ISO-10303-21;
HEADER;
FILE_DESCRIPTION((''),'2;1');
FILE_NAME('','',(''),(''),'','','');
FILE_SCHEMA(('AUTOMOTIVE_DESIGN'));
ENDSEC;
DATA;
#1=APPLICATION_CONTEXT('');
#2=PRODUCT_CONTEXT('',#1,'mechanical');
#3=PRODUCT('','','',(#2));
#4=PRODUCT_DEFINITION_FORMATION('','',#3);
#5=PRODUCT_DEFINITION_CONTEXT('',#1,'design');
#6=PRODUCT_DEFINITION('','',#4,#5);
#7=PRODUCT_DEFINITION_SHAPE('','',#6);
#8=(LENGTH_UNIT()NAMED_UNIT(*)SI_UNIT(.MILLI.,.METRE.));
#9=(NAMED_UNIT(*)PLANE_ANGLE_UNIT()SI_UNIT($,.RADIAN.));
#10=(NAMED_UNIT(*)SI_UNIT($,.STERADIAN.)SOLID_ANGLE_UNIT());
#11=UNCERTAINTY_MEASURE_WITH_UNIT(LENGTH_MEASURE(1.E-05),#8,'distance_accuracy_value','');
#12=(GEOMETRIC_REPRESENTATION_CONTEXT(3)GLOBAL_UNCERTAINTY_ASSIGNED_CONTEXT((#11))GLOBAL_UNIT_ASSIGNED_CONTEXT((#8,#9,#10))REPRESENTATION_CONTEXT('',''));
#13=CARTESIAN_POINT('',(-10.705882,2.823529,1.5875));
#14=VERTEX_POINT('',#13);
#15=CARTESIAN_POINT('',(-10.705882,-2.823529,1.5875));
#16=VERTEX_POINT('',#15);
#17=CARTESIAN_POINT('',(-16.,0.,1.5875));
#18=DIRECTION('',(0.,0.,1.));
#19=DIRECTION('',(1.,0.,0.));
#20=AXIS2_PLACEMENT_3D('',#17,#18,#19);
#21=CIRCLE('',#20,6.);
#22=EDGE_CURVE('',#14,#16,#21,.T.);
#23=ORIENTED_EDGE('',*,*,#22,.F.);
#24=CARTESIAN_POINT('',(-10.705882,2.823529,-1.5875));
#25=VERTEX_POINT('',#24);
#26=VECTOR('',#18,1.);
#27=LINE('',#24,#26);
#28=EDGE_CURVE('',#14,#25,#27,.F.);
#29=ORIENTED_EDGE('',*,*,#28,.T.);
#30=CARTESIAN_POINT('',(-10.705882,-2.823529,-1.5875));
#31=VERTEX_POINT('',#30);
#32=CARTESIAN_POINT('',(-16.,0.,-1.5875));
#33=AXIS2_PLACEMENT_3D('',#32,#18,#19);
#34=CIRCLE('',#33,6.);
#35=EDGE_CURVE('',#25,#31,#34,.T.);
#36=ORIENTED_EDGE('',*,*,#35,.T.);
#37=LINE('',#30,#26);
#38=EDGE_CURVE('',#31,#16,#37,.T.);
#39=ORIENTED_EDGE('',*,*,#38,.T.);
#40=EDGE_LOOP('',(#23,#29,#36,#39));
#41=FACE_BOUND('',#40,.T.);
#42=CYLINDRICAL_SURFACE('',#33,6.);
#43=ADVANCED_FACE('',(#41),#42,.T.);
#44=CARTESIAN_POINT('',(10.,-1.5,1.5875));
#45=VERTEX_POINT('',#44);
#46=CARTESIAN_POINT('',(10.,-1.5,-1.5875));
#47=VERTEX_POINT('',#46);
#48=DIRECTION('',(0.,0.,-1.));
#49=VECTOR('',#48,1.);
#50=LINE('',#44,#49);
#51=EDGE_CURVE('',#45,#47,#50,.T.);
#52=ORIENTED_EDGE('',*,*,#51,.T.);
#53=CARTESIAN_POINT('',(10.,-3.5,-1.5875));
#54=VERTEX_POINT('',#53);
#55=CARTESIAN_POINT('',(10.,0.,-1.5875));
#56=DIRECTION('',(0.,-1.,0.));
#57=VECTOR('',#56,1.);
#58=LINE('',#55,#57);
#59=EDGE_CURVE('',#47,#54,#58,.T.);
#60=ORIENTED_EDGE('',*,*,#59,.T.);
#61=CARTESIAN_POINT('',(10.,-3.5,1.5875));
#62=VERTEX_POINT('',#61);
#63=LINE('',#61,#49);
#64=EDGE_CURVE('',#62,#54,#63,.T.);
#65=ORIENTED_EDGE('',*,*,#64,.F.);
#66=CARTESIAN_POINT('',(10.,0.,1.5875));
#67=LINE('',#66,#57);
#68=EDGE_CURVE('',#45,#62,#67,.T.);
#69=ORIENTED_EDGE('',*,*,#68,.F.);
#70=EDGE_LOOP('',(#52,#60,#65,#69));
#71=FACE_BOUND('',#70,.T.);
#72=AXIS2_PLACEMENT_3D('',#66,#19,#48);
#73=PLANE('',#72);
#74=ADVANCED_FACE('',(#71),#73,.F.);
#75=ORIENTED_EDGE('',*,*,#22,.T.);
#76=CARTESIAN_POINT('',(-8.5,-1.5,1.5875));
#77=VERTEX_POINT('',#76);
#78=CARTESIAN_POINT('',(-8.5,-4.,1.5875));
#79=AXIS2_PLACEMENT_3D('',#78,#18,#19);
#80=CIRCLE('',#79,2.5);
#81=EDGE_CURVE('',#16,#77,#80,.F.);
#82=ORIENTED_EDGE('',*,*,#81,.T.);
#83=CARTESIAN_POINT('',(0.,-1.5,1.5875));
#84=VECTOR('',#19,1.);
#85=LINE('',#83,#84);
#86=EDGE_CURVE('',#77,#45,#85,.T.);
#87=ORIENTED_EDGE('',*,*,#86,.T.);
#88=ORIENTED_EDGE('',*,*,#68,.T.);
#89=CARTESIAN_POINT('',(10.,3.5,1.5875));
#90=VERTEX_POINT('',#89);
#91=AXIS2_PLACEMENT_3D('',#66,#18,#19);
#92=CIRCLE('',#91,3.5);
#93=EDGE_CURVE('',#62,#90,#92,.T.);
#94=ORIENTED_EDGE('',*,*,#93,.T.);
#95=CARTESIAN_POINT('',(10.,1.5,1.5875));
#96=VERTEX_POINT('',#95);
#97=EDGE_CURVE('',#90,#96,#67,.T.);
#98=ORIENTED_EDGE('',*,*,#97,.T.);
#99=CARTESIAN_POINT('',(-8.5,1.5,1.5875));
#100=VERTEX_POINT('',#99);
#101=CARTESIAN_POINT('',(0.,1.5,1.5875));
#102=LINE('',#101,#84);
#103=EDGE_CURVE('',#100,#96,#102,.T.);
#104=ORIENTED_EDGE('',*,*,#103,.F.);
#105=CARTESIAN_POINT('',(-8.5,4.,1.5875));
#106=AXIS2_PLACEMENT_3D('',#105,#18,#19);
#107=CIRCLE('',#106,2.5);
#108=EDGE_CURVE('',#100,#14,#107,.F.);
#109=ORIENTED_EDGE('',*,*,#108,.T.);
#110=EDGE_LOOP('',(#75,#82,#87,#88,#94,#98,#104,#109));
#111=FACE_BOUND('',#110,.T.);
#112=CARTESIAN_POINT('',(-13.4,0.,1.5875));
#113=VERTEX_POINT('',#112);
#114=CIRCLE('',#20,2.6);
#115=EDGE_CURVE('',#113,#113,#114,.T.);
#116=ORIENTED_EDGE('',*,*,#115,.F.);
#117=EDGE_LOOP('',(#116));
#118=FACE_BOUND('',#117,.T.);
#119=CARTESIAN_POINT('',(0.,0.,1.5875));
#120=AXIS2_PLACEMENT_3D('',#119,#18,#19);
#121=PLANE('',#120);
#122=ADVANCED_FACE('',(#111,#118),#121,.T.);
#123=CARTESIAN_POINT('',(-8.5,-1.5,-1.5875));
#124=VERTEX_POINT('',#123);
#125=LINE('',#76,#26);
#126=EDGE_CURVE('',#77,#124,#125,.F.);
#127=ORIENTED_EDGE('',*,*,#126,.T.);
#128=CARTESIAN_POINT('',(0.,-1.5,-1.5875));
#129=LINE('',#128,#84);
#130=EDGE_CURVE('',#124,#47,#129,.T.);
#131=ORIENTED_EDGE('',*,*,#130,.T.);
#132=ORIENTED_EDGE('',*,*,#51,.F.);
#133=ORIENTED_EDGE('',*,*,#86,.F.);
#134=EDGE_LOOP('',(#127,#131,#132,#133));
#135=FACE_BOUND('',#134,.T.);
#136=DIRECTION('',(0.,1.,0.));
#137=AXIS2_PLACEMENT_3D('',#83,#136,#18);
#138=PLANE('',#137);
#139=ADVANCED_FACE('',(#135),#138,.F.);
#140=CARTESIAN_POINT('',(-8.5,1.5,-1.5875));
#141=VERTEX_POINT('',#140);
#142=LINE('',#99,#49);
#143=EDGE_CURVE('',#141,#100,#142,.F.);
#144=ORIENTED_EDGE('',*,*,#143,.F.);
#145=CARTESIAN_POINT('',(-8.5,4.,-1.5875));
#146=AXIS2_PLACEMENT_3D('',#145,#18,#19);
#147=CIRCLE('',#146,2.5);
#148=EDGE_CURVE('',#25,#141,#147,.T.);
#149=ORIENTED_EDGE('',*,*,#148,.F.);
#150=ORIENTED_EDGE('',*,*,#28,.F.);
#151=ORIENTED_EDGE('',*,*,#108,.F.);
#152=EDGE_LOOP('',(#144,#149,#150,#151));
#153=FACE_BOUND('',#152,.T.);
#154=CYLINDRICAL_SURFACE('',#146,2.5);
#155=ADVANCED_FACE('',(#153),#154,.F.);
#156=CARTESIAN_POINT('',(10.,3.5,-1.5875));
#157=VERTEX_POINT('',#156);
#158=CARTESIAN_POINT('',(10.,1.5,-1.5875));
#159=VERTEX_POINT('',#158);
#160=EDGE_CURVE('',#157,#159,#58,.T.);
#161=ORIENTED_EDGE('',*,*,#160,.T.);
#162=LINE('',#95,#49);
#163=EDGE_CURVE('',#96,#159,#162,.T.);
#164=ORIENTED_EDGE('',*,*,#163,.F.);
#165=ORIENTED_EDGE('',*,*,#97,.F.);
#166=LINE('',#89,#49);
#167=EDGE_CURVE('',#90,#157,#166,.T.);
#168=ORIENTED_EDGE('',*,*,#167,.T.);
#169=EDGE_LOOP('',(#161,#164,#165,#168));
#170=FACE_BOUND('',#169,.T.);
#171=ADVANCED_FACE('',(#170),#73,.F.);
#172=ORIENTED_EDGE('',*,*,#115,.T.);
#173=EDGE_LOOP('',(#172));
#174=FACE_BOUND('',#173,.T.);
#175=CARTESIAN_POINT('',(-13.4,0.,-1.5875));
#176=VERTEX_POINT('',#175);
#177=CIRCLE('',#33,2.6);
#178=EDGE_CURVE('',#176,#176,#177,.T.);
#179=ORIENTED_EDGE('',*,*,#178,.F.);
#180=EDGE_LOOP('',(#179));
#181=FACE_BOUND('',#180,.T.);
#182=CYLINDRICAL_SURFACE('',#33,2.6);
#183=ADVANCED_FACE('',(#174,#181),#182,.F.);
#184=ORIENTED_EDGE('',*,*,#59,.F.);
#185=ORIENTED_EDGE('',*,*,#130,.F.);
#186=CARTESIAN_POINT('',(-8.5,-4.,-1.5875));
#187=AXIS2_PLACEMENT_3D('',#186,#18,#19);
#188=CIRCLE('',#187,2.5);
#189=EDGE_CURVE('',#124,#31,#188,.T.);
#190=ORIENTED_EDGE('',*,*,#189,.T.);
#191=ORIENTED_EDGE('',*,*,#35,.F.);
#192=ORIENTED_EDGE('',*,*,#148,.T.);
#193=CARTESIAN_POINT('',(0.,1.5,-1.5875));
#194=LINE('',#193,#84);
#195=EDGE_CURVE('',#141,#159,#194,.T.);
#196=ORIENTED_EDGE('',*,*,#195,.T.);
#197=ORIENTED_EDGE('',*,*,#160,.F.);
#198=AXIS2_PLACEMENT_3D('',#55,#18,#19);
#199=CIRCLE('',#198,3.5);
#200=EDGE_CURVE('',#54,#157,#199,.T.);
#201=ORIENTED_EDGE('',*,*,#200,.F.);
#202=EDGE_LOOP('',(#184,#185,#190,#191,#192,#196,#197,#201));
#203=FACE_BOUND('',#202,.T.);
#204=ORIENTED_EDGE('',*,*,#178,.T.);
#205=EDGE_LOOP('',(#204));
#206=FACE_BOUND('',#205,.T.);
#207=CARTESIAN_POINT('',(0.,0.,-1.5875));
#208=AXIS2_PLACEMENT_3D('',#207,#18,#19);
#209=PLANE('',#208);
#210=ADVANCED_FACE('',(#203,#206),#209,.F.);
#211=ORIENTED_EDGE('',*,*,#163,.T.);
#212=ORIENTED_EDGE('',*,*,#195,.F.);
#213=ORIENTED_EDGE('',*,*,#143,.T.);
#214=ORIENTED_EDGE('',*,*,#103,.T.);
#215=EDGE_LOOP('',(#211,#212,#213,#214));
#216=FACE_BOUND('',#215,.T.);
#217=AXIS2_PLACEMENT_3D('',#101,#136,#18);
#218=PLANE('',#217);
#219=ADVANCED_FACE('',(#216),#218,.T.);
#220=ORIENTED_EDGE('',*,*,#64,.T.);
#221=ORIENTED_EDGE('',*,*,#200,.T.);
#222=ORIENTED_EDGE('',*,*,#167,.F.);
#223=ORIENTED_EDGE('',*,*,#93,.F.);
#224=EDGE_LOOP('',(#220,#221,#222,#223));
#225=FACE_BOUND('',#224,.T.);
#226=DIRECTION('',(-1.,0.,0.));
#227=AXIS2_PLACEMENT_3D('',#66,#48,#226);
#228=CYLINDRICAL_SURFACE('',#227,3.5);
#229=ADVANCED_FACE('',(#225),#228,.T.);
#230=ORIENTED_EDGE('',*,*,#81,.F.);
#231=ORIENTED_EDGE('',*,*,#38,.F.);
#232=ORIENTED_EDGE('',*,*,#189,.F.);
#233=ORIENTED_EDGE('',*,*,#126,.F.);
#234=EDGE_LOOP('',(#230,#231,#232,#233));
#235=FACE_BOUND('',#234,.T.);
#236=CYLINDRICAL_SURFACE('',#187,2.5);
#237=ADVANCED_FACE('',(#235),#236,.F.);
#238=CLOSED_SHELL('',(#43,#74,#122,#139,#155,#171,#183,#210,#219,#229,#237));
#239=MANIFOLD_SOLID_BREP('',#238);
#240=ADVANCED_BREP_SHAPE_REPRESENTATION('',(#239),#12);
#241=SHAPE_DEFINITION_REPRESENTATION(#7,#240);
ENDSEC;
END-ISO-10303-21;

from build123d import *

# Parameters (mm, degrees)
BOSS_EXTRUDE1_DEPTH = 1.5875
SKETCH3_R           = 6
BOSS_EXTRUDE2_DEPTH = 3.175
SKETCH4_R           = 2.6
CUT_EXTRUDE1_DEPTH  = 24.023479863
BOSS_EXTRUDE3_DEPTH = 3.175
FILLET1_R           = 2.5


with BuildPart() as part:
    # Sketch2 → Boss-Extrude1 (new, symmetric)
    with BuildSketch(Plane.XY):
        with BuildLine():
            ThreePointArc((10, -3.5), (13.5, 0), (10, 3.5))
            Line((10, 3.5), (10, 1.5))
            Line((10, 1.5), (-10, 1.5))
            Line((-10, 1.5), (-10, -1.5))
            Line((-10, -1.5), (10, -1.5))
            Line((10, -1.5), (10, -3.5))
        make_face()
    extrude(amount=BOSS_EXTRUDE1_DEPTH, both=True)



with BuildPart() as body_2:
    # Sketch3 → Boss-Extrude2 (new body)
    with BuildSketch(Plane.XY.offset(1.5875)):
        with Locations((-16, 0)):
            Circle(SKETCH3_R)
    extrude(amount=-BOSS_EXTRUDE2_DEPTH)

    # Sketch4 → Cut-Extrude1 (cut, through all)
    with BuildSketch(Plane.XY.offset(1.5875)):
        with Locations((-16, 0)):
            Circle(SKETCH4_R)
    extrude(amount=-CUT_EXTRUDE1_DEPTH, mode=Mode.SUBTRACT)


with BuildPart() as part_1:
    add(part.part)

    add(body_2.part)  # Boss-Extrude3 merges body 2
    # Sketch6 → Boss-Extrude3 (add)
    with BuildSketch(Plane.XY.offset(1.5875)):
        Polygon((-10, -1.5), (-10, 0), (-10.190524981, -1.5), align=None)
    boss_extrude3 = extrude(amount=-BOSS_EXTRUDE3_DEPTH)

    # Mirror1: Boss-Extrude3 across plane
    add(boss_extrude3.mirror(Plane.ZX))

    # Fillet1
    fillet1_edges = [part_1.edges().sort_by_distance(p)[0] for p in [
        (-10.190524981, -1.5, 0),
        (-10.190524981, 1.5, 0),
    ]]
    fillet(fillet1_edges, radius=FILLET1_R)


solid = part_1.part
